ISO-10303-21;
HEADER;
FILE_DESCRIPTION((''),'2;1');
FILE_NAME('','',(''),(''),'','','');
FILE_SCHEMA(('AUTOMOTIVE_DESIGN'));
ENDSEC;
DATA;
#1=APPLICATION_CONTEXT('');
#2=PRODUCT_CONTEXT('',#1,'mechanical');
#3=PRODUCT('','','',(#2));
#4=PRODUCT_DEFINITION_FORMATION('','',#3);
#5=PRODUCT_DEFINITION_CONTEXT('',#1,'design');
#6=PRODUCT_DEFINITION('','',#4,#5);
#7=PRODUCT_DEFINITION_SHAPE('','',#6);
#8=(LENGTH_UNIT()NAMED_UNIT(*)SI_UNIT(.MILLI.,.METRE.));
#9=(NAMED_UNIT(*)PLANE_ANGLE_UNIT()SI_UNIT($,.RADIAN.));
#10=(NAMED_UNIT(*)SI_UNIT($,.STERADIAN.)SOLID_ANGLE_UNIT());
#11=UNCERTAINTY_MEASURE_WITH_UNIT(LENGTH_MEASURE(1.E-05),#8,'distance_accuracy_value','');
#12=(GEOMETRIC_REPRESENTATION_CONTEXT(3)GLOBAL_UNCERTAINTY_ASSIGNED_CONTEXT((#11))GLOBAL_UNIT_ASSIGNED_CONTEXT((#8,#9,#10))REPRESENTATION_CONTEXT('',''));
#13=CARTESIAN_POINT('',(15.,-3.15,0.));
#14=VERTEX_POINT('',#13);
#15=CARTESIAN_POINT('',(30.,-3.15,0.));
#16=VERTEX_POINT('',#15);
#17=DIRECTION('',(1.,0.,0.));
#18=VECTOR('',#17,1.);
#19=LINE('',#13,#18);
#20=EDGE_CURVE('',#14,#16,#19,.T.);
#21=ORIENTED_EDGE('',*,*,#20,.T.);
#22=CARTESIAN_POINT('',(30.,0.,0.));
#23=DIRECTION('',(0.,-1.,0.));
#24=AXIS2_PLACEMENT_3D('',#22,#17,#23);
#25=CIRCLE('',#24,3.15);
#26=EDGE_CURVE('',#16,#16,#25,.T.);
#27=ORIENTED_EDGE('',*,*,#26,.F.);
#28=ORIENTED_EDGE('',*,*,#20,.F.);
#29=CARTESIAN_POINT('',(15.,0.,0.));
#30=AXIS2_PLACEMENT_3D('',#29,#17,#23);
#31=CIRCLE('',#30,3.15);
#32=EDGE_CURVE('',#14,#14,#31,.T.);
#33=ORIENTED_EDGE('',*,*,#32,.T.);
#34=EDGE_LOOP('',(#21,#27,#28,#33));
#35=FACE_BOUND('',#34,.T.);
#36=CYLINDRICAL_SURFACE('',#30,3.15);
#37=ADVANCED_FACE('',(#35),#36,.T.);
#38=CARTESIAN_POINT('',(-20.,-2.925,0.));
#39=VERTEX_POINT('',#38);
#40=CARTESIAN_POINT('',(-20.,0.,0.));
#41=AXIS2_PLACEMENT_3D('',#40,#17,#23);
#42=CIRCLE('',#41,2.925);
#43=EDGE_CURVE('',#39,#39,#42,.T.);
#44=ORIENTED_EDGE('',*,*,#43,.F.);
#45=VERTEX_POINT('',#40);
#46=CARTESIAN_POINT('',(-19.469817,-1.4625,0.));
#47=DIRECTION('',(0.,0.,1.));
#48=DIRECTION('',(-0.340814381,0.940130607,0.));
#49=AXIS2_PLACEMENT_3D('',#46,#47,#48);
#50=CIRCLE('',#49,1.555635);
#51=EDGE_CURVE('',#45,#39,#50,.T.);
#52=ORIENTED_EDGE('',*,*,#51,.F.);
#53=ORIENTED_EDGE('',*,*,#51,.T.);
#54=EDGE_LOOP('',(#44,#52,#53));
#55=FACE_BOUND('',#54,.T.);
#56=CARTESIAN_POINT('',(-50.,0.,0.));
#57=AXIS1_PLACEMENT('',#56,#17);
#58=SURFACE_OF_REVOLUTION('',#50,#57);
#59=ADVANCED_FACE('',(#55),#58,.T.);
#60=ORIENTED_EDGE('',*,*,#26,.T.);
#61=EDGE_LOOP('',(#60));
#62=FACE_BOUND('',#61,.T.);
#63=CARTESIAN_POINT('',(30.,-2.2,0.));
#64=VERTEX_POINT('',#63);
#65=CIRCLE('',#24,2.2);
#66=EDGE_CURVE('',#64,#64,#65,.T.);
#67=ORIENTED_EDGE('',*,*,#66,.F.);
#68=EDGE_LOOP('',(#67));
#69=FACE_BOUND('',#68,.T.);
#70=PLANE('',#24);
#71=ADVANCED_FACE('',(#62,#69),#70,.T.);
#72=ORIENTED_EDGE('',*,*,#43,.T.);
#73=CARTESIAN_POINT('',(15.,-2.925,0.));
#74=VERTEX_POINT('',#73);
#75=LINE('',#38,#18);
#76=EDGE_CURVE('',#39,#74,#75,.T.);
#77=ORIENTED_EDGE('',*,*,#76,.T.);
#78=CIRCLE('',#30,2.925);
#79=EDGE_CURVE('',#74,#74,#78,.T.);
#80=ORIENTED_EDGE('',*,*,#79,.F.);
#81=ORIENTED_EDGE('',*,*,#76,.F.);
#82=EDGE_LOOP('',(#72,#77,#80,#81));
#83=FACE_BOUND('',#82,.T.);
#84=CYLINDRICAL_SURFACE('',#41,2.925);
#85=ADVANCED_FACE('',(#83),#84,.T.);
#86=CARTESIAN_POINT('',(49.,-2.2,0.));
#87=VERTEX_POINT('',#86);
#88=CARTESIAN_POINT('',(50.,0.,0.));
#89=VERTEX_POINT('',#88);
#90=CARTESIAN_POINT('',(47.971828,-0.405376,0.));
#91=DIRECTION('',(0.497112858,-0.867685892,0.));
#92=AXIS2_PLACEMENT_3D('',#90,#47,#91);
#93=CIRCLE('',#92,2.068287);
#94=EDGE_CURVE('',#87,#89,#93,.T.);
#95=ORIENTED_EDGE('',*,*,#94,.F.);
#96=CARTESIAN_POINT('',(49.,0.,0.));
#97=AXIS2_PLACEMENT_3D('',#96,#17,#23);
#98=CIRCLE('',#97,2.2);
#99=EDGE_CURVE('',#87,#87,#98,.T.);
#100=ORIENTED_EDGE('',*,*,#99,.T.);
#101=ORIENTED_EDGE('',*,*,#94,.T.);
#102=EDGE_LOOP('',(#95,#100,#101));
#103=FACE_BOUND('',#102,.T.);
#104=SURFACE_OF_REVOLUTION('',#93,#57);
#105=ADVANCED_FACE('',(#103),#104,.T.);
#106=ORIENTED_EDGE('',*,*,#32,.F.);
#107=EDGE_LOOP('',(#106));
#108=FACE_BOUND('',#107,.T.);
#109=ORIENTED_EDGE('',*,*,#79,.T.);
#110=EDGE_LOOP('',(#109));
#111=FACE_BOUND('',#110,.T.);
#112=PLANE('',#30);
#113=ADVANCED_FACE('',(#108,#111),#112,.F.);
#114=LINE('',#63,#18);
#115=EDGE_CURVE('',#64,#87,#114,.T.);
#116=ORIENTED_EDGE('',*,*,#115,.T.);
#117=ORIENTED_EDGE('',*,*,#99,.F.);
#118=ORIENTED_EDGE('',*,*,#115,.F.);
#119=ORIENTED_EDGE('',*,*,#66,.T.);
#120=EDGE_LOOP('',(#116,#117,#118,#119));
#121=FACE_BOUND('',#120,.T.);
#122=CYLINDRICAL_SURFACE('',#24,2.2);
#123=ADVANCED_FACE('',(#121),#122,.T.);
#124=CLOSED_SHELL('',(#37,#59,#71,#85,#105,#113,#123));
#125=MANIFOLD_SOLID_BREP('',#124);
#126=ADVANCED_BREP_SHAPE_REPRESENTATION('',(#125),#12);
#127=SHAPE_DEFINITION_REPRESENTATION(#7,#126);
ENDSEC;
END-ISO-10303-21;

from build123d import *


with BuildPart() as part:
    # Sketch4 → Revolve5 (revolve)
    with BuildSketch(Plane.XY):
        with BuildLine():
            Line((50, 0), (30, 0))
            Line((30, 0), (30, -2.2))
            Line((30, -2.2), (49, -2.2))
            ThreePointArc((49, -2.2), (49.854727227, -1.261239649), (50, 0))
        make_face()
        Polygon((30, 0), (15, 0), (15, -2.925), (15, -3.15), (30, -3.15), (30, -2.2), align=None)
        with BuildLine():
            Line((15, 0), (-20, 0))
            ThreePointArc((-20, 0), (-21.025452167, -1.4625), (-20, -2.925))
            Line((-20, -2.925), (15, -2.925))
            Line((15, -2.925), (15, 0))
        make_face()
    revolve(axis=Axis((-50, 0, 0), (1, 0, 0)))


solid = part.part
